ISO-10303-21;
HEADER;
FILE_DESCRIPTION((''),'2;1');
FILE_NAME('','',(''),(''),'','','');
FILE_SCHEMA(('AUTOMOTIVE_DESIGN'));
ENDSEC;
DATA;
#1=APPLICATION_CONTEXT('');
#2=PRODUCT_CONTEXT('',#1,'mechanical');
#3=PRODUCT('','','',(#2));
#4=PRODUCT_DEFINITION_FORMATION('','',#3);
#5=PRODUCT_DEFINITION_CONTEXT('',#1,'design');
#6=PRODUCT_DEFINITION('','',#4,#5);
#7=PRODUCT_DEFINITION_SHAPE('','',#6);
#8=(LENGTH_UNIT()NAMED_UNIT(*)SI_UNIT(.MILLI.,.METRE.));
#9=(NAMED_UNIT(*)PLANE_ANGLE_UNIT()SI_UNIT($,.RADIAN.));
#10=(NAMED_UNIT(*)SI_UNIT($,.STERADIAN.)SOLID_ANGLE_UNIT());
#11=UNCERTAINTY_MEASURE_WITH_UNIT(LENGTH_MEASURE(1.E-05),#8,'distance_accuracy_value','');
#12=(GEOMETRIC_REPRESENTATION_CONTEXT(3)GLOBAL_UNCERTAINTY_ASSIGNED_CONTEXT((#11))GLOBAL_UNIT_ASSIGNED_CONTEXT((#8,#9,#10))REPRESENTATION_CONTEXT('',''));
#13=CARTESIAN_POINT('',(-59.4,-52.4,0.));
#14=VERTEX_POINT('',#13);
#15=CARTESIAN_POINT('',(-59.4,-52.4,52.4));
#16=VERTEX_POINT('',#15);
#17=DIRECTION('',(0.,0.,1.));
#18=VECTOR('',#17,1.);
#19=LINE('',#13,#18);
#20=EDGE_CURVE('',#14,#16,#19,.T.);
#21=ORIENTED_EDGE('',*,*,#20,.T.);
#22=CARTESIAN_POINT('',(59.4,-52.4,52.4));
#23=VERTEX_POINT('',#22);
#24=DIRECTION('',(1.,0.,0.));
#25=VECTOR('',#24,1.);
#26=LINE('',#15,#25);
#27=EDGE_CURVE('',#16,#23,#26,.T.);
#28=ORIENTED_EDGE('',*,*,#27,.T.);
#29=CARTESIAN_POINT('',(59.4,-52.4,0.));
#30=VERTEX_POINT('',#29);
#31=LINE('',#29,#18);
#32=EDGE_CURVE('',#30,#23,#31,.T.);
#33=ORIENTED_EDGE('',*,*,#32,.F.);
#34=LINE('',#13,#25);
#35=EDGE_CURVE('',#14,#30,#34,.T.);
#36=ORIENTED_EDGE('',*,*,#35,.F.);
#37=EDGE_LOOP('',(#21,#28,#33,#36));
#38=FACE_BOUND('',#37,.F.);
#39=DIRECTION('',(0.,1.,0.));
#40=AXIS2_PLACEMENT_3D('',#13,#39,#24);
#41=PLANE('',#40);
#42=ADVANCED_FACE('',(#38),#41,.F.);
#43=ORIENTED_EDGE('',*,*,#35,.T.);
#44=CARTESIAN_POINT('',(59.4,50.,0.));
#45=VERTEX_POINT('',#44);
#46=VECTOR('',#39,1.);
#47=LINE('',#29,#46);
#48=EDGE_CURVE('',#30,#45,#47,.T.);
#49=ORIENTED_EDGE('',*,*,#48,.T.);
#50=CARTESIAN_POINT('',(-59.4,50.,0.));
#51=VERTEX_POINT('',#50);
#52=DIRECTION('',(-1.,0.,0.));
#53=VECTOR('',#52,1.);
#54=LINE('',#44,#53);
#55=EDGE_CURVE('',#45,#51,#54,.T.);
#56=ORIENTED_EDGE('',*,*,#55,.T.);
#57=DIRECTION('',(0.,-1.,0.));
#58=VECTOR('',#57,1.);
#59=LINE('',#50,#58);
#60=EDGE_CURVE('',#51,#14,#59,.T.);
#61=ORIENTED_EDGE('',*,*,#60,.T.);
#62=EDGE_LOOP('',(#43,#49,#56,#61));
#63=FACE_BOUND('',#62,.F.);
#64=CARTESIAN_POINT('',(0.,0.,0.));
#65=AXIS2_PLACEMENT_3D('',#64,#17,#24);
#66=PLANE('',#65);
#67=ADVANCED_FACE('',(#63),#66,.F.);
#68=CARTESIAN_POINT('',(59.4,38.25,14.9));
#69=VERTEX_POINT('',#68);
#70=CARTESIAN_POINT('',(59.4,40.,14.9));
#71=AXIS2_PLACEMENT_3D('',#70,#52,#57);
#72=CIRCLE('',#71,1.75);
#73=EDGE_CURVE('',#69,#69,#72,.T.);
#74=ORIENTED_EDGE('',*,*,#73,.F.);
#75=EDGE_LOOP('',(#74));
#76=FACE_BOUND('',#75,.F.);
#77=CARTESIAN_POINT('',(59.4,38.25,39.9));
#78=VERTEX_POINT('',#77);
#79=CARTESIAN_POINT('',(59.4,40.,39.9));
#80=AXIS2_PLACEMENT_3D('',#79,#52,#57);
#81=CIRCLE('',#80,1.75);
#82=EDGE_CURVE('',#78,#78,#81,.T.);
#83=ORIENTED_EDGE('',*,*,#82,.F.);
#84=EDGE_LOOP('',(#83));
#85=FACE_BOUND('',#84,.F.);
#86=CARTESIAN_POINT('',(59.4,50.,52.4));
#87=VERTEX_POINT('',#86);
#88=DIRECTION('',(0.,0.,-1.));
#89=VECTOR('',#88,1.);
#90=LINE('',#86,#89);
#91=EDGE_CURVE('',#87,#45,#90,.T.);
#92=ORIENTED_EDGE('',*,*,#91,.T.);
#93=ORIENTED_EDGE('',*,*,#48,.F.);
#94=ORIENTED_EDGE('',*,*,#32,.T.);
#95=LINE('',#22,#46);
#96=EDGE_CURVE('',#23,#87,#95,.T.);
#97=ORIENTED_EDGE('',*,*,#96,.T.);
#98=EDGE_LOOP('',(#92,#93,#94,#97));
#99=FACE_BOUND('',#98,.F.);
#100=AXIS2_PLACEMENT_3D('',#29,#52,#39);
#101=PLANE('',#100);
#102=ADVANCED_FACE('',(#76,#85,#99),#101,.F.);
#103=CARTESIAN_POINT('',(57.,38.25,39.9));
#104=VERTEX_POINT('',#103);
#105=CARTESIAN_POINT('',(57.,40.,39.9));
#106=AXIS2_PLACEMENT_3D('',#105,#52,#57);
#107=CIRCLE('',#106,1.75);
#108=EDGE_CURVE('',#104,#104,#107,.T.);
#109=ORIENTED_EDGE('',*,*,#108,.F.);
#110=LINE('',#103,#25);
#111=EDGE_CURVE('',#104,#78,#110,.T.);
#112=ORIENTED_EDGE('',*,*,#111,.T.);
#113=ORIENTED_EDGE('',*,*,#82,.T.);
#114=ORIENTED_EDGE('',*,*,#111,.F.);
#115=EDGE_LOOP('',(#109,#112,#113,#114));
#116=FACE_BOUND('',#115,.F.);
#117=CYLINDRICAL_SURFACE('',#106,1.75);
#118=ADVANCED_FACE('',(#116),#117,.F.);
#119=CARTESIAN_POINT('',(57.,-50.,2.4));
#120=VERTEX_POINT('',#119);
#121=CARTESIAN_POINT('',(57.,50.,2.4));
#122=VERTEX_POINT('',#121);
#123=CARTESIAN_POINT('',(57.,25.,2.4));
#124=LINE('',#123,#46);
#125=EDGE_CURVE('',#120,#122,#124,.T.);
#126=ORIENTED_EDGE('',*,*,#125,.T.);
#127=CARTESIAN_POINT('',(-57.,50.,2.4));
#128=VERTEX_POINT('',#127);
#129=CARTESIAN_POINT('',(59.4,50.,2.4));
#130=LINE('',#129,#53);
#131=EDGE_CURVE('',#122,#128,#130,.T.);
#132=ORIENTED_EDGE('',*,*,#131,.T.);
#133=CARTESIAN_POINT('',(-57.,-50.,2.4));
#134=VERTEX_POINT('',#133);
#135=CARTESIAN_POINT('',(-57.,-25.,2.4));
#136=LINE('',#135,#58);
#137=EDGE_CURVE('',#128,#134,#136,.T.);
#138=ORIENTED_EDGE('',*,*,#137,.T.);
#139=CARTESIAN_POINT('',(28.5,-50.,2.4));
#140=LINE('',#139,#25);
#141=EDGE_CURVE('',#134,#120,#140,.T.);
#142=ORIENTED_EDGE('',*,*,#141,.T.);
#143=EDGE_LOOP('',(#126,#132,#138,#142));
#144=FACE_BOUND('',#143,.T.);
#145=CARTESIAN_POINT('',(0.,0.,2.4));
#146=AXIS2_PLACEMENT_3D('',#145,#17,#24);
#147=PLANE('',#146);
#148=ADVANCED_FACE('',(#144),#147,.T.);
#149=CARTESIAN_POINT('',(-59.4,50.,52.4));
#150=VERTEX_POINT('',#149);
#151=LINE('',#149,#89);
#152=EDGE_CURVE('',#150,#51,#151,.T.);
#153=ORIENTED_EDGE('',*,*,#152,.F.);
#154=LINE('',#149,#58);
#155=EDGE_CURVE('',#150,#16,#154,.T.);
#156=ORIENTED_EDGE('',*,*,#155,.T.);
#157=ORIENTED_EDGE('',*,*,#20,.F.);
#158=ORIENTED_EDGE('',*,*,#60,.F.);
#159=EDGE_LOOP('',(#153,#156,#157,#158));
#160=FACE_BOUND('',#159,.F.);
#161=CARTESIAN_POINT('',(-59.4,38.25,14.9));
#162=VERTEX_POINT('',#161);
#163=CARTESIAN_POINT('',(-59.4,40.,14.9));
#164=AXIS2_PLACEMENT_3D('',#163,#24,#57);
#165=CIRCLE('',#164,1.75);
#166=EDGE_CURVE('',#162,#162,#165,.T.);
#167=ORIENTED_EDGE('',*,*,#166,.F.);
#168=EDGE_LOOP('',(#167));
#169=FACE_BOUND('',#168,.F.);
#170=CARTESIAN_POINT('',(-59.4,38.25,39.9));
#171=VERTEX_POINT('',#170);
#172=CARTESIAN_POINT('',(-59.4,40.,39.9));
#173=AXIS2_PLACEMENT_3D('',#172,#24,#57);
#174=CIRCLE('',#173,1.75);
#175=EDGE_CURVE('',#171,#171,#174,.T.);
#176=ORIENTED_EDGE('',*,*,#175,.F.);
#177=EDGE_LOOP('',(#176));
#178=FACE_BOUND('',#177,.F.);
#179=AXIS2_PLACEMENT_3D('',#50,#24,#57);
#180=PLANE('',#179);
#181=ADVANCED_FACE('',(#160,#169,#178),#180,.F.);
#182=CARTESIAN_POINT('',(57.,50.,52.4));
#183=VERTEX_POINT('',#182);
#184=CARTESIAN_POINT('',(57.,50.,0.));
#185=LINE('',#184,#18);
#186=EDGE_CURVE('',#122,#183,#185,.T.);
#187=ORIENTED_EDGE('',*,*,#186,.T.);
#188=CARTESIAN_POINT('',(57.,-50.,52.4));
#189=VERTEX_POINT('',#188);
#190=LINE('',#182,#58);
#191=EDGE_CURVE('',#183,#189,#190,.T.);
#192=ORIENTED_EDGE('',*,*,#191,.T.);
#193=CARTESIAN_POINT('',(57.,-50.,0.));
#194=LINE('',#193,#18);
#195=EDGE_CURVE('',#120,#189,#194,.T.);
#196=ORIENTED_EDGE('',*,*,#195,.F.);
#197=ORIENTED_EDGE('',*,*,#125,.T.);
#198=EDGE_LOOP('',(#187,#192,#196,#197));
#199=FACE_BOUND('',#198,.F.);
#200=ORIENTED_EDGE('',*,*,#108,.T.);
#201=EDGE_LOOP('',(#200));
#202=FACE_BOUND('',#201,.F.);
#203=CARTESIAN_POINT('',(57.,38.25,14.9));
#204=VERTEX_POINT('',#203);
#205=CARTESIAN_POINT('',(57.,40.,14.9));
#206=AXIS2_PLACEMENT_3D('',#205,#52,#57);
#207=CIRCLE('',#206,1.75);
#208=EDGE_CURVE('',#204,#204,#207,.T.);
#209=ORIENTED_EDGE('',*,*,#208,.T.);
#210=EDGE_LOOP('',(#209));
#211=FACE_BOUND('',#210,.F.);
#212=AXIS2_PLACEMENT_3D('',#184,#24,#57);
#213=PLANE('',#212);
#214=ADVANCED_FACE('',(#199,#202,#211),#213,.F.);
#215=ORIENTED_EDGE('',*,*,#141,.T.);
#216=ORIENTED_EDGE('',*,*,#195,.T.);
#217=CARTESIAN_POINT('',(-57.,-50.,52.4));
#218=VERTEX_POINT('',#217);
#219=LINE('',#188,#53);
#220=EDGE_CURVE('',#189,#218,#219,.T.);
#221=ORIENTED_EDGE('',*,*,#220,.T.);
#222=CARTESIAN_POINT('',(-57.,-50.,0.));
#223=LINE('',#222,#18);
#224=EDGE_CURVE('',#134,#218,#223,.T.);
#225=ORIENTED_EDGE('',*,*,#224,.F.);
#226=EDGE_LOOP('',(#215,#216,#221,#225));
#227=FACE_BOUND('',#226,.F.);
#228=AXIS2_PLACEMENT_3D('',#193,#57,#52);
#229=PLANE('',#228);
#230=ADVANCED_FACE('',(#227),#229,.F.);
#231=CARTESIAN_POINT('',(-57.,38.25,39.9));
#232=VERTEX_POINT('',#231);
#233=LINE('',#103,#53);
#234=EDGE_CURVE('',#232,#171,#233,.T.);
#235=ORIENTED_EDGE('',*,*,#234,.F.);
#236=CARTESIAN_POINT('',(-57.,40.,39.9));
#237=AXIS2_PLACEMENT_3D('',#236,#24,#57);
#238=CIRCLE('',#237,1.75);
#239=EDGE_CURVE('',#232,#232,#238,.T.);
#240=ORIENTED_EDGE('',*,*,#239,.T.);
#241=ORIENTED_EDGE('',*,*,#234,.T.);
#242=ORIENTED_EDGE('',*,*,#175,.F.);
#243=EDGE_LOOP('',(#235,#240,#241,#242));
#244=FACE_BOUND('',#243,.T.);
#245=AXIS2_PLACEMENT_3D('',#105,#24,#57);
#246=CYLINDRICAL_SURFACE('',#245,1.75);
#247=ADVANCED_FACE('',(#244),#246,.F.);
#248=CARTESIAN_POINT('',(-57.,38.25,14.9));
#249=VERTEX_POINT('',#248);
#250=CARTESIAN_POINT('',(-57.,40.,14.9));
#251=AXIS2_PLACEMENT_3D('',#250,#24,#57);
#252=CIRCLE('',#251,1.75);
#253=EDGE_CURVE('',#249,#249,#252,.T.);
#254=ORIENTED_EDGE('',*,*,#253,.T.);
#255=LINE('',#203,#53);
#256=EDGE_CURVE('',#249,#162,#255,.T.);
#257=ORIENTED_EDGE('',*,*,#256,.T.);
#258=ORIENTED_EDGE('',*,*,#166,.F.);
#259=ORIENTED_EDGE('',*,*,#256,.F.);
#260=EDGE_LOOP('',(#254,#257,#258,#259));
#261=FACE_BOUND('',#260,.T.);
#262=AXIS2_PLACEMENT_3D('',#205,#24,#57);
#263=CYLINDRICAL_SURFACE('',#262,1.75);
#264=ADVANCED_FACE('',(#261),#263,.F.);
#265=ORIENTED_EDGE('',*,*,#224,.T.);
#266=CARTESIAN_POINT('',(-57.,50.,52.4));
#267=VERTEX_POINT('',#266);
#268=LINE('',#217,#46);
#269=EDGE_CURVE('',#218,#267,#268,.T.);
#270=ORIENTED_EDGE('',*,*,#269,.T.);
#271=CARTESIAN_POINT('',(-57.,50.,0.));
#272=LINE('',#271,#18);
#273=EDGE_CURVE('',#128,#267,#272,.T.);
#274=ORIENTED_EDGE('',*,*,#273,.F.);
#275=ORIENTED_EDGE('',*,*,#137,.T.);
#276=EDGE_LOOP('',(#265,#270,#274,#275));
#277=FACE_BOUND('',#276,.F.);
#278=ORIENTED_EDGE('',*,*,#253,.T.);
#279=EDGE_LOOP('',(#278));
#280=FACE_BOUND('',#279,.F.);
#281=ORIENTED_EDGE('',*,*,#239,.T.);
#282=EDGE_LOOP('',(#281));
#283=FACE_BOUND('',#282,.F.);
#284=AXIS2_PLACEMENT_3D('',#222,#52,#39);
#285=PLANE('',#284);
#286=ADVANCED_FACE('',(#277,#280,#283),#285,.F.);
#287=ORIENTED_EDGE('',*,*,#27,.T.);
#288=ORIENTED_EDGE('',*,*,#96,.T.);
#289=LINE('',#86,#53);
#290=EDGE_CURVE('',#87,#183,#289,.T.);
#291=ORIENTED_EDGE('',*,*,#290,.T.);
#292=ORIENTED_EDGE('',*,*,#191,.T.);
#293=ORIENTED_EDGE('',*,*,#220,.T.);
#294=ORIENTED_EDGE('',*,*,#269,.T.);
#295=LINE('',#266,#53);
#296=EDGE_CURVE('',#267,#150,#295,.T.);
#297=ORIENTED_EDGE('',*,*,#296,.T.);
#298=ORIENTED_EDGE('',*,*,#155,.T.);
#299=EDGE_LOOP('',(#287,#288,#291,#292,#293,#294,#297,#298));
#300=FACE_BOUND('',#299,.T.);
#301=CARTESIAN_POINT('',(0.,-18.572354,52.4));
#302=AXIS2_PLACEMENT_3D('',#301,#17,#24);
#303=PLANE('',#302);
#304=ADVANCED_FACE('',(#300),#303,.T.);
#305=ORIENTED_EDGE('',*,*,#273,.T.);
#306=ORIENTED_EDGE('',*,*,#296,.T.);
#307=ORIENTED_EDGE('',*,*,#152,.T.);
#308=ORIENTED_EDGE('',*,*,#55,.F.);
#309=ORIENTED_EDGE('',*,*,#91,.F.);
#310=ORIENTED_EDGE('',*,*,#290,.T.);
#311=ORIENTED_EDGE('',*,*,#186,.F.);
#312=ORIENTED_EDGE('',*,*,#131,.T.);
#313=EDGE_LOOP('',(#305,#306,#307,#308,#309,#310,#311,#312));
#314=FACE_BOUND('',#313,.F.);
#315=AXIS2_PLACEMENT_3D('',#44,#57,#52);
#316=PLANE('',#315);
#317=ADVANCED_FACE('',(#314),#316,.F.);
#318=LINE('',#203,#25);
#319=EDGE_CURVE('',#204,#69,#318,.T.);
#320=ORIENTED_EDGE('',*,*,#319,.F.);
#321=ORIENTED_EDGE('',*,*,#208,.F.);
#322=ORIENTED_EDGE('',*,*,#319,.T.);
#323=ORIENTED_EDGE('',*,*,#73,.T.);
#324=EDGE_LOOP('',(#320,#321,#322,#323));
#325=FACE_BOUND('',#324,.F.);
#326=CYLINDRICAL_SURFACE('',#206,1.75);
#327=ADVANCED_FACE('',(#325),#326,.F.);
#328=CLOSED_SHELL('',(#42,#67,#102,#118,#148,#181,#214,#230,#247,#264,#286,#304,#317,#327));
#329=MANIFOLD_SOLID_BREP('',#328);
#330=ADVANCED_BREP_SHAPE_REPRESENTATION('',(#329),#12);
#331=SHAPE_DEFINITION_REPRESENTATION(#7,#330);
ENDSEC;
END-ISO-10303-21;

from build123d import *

# Parameters (mm, degrees)
F0_W     = 114
F0_H     = 100
F1_DEPTH = 2.4
F2_DEPTH = 52.4
F3_R     = 1.75
F4_DEPTH = 2.401
F5_DEPTH = 116.401


with BuildPart() as f1:
    # F0 (on Top) → F1 (new body)
    with BuildSketch(Plane.XY):
        Rectangle(F0_W, F0_H)
        Polygon((-57, -50), (-57, 50), (-59.4, 50), (-59.4, -52.4), (59.4, -52.4), (59.4, 50), (57, 50), (57, -50), align=None)
    extrude(amount=F1_DEPTH)

    # F0 (on Top) → F2 (join)
    with BuildSketch(Plane.XY):
        Polygon((-57, -50), (-57, 50), (-59.4, 50), (-59.4, -52.4), (59.4, -52.4), (59.4, 50), (57, 50), (57, -50), align=None)
    extrude(amount=F2_DEPTH)

    # F3 (on face) → F4 (cut, through all)
    with BuildSketch(Plane(origin=(57, 0, 0), x_dir=(0, -1, 0), z_dir=(-1, 0, 0))):
        with Locations((-40, 39.9)):
            Circle(F3_R)
        with Locations((-40, 14.9)):
            Circle(F3_R)
    extrude(amount=-F4_DEPTH, mode=Mode.SUBTRACT)

    # F3 (on face) → F5 (cut, through all)
    with BuildSketch(Plane(origin=(57, 0, 0), x_dir=(0, -1, 0), z_dir=(-1, 0, 0))):
        with Locations((-40, 39.9)):
            Circle(F3_R)
        with Locations((-40, 14.9)):
            Circle(F3_R)
    extrude(amount=F5_DEPTH, mode=Mode.SUBTRACT)


solid = f1.part
